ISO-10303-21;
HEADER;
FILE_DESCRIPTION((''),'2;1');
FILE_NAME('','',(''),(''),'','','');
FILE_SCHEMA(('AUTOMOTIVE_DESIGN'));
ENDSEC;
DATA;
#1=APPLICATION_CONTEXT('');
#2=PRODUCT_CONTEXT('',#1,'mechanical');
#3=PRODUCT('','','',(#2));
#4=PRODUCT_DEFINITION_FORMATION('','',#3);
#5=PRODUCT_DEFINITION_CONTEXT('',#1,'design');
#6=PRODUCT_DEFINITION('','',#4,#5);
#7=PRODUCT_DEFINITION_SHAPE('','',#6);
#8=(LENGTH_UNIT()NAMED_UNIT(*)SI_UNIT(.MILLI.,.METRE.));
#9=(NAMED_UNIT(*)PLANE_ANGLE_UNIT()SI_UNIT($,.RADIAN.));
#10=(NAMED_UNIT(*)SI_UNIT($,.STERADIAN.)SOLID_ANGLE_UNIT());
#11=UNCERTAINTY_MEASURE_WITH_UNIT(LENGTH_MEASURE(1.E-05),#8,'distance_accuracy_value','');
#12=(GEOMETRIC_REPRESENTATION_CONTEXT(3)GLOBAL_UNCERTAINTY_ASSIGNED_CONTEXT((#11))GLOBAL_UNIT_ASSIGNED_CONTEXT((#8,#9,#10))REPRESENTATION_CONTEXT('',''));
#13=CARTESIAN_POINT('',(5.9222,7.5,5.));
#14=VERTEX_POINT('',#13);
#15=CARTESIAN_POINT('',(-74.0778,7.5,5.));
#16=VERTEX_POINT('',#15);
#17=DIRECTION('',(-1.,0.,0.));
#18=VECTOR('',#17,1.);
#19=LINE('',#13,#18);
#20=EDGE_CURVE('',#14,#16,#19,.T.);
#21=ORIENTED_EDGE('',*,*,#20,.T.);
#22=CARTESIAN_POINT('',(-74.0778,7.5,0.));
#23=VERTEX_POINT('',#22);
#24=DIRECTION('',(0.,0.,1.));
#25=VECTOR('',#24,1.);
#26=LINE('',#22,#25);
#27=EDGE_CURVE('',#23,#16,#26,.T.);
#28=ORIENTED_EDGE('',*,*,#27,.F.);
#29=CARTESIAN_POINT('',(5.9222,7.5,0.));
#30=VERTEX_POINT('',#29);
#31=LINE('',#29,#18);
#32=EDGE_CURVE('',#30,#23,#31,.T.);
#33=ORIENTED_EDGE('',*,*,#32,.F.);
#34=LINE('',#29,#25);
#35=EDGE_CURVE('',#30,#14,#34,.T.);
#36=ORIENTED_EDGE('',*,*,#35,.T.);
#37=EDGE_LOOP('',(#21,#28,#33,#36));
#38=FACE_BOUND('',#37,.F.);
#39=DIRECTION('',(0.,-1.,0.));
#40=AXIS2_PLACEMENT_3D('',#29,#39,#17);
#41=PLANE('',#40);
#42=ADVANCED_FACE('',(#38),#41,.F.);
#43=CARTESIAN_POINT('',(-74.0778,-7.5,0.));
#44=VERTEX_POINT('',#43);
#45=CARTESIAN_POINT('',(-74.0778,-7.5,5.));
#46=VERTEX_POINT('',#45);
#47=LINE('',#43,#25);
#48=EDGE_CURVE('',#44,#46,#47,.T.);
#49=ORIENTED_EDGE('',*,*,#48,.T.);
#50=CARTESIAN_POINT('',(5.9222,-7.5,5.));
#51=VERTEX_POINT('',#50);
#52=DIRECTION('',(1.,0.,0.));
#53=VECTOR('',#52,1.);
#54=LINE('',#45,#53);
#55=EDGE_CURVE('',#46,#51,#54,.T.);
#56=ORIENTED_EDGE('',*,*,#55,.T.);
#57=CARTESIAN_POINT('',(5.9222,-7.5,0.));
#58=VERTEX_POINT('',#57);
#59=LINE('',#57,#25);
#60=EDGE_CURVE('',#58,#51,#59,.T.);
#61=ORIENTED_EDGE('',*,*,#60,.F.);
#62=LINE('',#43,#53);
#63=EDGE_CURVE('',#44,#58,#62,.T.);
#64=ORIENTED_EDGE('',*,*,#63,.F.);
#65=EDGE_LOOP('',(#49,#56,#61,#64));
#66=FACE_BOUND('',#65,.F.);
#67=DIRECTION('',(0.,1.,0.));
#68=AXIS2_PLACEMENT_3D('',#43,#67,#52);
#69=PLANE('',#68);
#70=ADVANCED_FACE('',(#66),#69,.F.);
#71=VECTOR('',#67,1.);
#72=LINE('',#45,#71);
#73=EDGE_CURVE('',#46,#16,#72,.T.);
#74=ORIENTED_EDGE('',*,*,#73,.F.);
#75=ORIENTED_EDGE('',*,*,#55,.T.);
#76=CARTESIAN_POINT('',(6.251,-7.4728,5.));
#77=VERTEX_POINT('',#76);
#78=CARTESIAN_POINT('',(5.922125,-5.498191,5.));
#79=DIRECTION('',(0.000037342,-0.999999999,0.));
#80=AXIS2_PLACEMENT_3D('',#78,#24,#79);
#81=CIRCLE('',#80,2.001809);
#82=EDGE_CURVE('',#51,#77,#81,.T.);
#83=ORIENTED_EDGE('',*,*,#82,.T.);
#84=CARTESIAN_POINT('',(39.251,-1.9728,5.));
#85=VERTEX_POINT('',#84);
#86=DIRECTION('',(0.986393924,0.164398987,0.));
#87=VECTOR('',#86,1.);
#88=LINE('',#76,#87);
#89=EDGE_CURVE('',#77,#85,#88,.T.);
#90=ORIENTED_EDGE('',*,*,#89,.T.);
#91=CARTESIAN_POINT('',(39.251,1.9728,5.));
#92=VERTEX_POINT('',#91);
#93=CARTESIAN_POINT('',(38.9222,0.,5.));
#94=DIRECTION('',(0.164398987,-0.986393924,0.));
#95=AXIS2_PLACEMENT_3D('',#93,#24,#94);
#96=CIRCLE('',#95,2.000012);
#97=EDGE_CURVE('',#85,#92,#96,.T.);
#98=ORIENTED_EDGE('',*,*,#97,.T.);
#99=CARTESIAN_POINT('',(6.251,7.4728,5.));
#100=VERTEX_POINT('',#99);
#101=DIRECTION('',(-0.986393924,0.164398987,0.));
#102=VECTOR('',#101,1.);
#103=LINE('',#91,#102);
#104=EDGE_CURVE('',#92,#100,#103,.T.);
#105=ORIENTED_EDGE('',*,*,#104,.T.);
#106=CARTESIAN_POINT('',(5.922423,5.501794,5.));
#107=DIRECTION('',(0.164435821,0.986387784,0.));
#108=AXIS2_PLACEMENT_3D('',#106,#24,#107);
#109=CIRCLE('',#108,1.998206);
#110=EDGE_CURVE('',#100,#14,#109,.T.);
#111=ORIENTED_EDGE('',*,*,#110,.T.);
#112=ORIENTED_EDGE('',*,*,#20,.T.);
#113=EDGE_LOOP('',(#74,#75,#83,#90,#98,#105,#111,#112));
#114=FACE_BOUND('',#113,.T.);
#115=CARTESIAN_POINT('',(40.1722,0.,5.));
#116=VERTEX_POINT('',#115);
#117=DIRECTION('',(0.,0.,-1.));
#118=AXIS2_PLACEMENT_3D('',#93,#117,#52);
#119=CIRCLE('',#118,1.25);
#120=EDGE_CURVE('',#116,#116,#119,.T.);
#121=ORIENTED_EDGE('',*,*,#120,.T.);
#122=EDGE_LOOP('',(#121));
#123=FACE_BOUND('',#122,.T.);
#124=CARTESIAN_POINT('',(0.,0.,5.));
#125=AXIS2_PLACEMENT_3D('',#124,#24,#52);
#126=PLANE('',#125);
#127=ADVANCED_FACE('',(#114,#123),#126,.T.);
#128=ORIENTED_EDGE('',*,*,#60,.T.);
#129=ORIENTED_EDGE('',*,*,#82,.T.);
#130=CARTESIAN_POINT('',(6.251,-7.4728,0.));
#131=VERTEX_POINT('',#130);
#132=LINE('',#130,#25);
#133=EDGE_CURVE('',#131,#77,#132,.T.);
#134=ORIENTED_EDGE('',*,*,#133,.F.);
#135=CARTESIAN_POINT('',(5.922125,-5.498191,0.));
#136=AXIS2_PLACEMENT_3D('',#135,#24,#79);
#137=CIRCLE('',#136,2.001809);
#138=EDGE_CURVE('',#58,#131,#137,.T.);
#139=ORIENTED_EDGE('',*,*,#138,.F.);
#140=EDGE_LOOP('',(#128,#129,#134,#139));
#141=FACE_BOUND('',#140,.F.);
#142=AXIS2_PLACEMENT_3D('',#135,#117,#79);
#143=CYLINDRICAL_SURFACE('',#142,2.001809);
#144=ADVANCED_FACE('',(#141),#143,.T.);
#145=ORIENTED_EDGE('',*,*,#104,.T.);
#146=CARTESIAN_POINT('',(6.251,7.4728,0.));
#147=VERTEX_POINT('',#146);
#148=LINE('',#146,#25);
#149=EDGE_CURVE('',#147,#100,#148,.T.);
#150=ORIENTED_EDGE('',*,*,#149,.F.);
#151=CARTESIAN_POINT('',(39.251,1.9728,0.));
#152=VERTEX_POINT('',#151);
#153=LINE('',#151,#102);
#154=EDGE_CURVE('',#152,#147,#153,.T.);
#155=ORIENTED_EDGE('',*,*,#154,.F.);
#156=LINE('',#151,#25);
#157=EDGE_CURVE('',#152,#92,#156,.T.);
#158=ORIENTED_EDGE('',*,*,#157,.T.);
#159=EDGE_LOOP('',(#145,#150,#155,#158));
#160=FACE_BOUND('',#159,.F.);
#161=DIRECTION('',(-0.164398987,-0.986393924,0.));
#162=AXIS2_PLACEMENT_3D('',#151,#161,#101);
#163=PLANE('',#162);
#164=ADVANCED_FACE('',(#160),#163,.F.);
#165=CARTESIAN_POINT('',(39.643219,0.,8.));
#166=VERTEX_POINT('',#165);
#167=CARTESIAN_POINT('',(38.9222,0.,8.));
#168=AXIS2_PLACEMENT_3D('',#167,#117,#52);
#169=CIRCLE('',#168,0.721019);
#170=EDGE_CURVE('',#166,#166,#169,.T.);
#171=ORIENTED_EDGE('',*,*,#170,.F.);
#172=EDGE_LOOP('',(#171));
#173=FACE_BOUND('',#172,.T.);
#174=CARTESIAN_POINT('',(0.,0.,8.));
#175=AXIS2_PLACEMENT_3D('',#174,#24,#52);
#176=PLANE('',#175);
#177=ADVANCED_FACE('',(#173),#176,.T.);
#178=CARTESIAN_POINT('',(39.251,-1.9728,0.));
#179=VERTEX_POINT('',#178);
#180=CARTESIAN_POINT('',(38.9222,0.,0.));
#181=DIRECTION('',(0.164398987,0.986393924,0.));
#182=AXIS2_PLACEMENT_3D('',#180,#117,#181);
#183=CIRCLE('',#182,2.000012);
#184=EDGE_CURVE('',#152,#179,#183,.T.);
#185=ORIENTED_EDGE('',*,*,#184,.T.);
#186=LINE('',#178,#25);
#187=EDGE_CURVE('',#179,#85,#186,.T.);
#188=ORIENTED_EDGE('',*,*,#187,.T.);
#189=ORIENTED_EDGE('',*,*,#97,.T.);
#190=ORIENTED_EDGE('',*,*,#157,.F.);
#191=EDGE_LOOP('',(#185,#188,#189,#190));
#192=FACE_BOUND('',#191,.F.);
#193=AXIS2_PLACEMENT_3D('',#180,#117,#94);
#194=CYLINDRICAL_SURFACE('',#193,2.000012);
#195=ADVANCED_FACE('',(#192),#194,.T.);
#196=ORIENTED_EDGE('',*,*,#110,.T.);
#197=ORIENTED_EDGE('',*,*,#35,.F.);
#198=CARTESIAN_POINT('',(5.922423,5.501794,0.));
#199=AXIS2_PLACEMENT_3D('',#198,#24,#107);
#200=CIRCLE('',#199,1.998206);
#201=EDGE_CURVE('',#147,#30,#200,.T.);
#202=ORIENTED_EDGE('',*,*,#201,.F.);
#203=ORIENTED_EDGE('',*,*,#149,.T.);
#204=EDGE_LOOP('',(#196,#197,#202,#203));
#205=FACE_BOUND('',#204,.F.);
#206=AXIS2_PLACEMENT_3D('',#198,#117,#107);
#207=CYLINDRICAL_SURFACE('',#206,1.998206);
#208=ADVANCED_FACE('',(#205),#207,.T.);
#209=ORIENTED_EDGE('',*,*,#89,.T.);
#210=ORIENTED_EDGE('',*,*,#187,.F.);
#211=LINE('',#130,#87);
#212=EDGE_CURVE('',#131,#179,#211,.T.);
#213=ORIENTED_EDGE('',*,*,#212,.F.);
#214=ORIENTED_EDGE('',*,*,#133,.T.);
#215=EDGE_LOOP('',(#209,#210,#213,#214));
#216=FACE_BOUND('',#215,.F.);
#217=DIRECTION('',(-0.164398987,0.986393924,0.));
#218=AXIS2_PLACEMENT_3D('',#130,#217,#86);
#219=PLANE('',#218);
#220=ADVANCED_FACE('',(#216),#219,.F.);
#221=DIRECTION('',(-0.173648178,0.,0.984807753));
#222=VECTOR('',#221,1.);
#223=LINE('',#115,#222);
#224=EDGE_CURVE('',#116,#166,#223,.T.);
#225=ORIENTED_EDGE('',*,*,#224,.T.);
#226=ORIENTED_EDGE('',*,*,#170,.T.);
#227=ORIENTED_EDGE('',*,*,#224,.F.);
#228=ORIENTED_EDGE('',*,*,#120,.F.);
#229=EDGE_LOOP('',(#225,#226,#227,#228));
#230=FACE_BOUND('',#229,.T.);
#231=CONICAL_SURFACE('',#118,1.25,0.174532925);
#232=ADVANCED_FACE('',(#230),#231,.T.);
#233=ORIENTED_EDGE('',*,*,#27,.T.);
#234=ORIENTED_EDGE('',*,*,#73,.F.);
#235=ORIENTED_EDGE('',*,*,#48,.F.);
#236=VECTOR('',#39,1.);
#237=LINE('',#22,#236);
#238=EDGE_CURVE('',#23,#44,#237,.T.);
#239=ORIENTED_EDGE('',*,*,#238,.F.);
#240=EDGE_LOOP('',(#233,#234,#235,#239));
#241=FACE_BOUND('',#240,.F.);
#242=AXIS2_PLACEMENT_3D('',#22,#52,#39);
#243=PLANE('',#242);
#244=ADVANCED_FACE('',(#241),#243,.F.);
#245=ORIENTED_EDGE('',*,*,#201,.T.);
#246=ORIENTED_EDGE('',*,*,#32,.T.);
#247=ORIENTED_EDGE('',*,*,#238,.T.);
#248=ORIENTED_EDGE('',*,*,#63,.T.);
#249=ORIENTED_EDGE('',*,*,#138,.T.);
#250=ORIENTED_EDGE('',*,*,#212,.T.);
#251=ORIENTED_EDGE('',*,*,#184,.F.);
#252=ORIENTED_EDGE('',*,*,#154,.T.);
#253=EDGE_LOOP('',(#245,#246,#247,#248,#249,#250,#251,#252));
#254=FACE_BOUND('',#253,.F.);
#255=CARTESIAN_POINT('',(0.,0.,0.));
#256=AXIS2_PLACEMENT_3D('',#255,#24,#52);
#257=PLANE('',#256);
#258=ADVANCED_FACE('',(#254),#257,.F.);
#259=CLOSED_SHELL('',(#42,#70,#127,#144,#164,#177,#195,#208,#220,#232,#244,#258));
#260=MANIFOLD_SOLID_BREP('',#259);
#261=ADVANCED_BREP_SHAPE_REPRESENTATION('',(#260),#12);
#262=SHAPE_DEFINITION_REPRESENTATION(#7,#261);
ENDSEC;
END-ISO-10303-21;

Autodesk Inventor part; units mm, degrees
ref_plane "YZ Plane" through (0, 0, 0) normal (1, 0, 0) x (0, 1, 0)
ref_plane "XZ Plane" through (0, 0, 0) normal (0, 1, 0) x (-1, 0, 0)
ref_plane "XY Plane" through (0, 0, 0) normal (0, 0, 1) x (1, 0, 0)
sketch "Skizze1" plane through (0, 0, 0) normal (0, 0, 1) x (1, 0, 0)
  line L0 (-74.0778, 7.5) -> (-74.0778, -7.5)
  line L1 (-74.0778, -7.5) -> (5.9222, -7.5)
  line L2 (6.251, -7.4728) -> (39.251, -1.9728)
  line L3 (39.251, 1.9728) -> (6.251, 7.4728)
  line L4 (5.9222, 7.5) -> (-74.0778, 7.5)
  arc A0 (6.251, 7.4728) -> (5.9222, 7.5) centre (5.9222, 5.5) ccw
  arc A1 (5.9222, -7.5) -> (6.251, -7.4728) centre (5.9222, -5.5) ccw
  arc A2 (39.251, -1.9728) -> (39.251, 1.9728) centre (38.9222, 0) ccw
  line L5 (-97.0778, 0) -> (63.9222, 0) projected
  point P0 (0, 0)
  dimension "d0" = 2
  dimension "d1" = 2
  dimension "d2" = 115
  dimension "d3" = 80
  dimension "d9" = 15
extrude "Extrusion1" add sketch "Skizze1" along normal blind 5
sketch "Skizze2" plane through (0, 0, 5) normal (0, 0, 1) x (1, 0, 0)
  arc A0 (39.251, -1.9728) -> (39.251, 1.9728) centre (38.9222, 0) ccw projected
  circle A1 centre (38.9222, 0) radius 1.25
  point P0 (0, 0)
  dimension "d6" = 2.5
extrude "Extrusion2" add sketch "Skizze2" along normal blind 3 draft -10
properties part number "Sensor"
